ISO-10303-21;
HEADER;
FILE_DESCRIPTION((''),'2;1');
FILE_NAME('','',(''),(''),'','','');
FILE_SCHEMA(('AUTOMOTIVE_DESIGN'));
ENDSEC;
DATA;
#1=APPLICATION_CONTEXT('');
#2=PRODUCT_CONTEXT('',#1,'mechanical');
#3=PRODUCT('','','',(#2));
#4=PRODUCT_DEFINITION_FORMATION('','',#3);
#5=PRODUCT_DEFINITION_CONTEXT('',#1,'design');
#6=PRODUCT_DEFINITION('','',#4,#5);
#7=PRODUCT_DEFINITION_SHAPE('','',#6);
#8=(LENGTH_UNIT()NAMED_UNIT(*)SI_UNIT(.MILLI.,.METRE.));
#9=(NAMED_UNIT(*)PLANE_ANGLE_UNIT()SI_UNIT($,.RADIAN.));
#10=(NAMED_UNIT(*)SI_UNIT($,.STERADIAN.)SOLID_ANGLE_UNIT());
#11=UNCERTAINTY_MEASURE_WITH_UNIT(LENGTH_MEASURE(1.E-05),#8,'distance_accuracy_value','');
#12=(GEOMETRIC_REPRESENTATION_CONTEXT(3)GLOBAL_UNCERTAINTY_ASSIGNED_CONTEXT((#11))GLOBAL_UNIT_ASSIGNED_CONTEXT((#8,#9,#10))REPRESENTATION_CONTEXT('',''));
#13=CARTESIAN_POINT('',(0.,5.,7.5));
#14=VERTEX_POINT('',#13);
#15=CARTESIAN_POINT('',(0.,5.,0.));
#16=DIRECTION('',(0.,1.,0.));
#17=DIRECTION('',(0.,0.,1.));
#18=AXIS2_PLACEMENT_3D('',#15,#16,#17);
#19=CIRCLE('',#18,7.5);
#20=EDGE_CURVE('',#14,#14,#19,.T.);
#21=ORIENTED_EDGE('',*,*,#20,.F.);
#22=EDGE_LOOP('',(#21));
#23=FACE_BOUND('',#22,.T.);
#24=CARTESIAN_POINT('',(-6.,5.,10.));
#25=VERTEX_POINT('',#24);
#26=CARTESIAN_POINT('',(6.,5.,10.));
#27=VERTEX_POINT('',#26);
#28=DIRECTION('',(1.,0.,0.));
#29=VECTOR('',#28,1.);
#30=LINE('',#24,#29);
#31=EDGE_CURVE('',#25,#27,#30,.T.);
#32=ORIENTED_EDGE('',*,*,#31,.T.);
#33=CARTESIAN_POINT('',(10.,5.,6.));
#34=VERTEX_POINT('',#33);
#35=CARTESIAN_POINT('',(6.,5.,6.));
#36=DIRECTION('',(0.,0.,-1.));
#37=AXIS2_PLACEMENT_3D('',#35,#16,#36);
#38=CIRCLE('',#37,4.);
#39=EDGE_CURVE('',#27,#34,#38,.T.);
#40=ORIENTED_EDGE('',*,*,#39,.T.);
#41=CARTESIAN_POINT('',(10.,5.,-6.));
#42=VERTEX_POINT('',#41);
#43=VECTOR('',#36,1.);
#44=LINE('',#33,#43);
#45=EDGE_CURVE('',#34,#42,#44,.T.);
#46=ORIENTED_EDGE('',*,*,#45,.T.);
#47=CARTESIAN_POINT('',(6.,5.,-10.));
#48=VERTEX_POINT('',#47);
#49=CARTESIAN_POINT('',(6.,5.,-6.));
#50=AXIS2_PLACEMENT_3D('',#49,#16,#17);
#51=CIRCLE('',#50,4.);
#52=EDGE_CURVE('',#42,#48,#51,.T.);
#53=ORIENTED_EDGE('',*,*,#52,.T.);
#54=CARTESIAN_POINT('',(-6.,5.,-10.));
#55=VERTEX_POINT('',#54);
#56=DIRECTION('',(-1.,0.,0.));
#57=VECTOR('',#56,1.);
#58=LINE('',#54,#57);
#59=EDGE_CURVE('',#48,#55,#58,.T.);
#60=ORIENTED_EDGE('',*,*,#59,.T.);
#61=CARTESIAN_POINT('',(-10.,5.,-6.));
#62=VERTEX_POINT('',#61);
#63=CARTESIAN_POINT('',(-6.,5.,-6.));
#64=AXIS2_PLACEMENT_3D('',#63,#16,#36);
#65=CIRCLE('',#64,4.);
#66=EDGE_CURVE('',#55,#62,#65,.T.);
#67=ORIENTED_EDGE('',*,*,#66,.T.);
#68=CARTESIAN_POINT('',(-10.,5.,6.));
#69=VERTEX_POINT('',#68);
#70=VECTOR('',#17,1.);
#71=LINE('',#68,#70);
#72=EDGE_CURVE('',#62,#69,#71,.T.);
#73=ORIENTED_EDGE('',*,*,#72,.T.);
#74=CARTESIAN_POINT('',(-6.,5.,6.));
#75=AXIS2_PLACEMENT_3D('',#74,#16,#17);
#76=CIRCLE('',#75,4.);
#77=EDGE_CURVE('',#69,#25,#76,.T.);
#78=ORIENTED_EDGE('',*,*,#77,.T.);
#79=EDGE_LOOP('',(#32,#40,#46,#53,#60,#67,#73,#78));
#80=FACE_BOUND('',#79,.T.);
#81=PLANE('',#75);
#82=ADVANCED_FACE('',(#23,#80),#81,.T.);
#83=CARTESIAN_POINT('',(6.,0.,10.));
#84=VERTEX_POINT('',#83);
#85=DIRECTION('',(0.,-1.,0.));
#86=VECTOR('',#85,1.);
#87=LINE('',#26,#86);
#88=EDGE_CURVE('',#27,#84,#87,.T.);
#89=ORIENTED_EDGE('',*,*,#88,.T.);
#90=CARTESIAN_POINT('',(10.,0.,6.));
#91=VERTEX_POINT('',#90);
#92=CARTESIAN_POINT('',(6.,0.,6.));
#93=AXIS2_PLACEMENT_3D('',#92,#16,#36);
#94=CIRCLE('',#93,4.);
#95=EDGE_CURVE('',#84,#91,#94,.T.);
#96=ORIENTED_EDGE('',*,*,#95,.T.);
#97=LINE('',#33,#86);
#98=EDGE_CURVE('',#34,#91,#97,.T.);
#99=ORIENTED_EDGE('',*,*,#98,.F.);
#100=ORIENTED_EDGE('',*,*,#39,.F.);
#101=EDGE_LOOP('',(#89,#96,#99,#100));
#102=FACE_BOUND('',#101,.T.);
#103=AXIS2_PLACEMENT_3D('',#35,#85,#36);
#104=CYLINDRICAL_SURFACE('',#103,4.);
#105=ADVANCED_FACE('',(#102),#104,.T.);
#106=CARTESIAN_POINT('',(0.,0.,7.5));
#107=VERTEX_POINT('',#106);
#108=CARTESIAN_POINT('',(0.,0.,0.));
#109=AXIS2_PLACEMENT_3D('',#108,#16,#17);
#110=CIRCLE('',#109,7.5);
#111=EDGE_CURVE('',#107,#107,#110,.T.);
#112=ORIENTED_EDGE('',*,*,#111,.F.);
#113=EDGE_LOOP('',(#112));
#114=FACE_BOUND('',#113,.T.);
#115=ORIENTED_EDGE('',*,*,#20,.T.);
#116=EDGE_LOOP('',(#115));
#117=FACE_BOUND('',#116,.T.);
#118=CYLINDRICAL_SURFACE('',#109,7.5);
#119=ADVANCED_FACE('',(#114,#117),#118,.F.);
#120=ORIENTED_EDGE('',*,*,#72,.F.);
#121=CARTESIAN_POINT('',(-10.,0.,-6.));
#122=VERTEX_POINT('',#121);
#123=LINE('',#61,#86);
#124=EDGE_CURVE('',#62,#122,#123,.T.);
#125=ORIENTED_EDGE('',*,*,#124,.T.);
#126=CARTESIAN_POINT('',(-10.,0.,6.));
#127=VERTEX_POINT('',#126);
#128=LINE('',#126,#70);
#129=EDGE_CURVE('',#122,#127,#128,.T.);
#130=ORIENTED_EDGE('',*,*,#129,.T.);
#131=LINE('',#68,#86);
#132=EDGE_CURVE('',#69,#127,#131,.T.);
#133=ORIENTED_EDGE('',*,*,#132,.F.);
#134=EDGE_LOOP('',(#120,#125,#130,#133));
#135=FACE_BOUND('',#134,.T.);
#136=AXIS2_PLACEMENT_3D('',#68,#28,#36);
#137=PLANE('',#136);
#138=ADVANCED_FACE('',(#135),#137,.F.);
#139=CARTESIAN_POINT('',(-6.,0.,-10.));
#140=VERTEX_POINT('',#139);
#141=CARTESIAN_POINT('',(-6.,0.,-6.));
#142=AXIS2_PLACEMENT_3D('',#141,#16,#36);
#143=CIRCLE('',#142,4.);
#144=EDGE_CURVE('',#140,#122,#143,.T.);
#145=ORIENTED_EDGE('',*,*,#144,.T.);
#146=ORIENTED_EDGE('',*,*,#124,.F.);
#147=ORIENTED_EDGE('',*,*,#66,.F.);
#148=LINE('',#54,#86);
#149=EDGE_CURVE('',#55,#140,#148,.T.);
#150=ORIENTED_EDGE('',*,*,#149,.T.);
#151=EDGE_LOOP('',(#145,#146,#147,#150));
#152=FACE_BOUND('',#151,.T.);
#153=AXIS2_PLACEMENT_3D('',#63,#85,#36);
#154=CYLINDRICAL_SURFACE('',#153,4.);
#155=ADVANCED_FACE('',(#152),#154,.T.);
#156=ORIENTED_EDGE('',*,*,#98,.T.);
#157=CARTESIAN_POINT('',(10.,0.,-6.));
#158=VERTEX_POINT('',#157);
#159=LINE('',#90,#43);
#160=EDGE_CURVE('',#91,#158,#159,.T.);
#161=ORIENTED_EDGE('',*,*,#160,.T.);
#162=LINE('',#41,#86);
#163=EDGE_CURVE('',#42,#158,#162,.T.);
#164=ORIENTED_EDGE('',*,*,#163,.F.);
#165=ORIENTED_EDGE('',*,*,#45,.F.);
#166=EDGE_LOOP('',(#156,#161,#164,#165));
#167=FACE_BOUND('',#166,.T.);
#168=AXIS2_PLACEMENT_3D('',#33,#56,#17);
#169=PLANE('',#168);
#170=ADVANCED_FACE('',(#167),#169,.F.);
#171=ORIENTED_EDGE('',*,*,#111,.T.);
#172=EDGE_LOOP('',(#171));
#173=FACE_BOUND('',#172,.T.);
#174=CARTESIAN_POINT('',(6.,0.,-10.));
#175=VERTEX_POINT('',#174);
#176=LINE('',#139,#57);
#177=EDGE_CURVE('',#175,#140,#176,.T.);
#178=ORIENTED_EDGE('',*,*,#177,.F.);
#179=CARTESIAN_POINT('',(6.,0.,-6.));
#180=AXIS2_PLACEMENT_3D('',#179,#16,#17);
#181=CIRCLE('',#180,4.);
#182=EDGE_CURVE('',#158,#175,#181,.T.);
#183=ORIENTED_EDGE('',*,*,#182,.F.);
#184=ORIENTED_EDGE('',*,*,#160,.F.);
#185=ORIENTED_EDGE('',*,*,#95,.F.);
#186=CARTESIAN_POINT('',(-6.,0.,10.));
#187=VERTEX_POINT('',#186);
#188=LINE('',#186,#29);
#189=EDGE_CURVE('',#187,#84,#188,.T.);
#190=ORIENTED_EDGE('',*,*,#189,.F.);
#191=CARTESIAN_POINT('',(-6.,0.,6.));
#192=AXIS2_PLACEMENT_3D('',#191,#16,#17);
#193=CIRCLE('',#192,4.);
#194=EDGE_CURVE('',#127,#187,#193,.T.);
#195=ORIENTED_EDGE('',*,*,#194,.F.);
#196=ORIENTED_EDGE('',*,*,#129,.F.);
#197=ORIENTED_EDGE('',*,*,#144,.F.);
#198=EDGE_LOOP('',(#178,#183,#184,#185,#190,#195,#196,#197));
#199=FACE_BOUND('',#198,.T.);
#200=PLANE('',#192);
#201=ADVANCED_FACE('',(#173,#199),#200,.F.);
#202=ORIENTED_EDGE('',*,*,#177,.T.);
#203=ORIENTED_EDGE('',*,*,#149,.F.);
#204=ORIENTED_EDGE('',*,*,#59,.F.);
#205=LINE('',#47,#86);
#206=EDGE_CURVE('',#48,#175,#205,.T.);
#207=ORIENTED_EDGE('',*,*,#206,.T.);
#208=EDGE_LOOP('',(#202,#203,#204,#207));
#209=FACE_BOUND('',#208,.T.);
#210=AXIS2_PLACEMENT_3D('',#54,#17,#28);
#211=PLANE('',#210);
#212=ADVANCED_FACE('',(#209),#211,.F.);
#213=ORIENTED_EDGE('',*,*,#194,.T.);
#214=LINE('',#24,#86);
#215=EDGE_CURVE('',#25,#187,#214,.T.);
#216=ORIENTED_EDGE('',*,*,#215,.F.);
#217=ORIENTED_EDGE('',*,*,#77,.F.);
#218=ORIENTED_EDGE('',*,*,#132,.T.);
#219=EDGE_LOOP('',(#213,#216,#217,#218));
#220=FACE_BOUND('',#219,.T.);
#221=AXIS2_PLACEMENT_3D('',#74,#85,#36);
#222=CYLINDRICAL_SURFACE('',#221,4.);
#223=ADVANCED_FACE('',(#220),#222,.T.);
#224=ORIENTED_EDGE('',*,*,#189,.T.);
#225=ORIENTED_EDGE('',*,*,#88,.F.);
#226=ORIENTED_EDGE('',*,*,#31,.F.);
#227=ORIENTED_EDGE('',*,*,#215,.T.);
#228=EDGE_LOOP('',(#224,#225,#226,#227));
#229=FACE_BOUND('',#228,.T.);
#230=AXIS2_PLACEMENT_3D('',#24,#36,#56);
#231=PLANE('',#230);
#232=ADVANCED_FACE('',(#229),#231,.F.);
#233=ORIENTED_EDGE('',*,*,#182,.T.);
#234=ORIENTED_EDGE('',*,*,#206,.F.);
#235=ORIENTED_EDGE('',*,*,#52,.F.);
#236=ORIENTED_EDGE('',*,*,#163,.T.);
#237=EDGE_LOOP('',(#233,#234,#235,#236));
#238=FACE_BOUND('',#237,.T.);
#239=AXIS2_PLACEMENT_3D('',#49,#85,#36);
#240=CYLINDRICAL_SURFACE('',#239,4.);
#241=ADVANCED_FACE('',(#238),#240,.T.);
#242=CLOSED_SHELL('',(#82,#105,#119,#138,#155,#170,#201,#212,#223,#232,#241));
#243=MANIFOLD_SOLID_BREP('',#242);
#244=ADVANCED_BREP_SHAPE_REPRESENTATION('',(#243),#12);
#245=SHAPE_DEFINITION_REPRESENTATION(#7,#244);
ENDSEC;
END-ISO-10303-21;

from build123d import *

# Parameters (mm, degrees)
SALIENTE_EXTRUIR1_DEPTH = 5
CROQUIS2_R              = 7.5
CORTAR_EXTRUIR1_DEPTH   = 6


with BuildPart() as part:
    # Croquis1 → Saliente-Extruir1 (new body)
    with BuildSketch(Plane(origin=(0, 0, 0), x_dir=(1, 0, 0), z_dir=(0, 1, 0))):
        with BuildLine():
            Line((-6, -10), (6, -10))
            ThreePointArc((6, -10), (8.828427125, -8.828427125), (10, -6))
            Line((10, -6), (10, 6))
            ThreePointArc((10, 6), (8.828427125, 8.828427125), (6, 10))
            Line((6, 10), (-6, 10))
            ThreePointArc((-6, 10), (-8.828427125, 8.828427125), (-10, 6))
            Line((-10, 6), (-10, -6))
            ThreePointArc((-10, -6), (-8.828427125, -8.828427125), (-6, -10))
        make_face()
    extrude(amount=SALIENTE_EXTRUIR1_DEPTH)

    # Croquis2 → Cortar-Extruir1 (cut, through all)
    with BuildSketch(Plane(origin=(0, 5, 0), x_dir=(1, 0, 0), z_dir=(0, 1, 0))):
        Circle(CROQUIS2_R)
    extrude(amount=-CORTAR_EXTRUIR1_DEPTH, mode=Mode.SUBTRACT)


solid = part.part
